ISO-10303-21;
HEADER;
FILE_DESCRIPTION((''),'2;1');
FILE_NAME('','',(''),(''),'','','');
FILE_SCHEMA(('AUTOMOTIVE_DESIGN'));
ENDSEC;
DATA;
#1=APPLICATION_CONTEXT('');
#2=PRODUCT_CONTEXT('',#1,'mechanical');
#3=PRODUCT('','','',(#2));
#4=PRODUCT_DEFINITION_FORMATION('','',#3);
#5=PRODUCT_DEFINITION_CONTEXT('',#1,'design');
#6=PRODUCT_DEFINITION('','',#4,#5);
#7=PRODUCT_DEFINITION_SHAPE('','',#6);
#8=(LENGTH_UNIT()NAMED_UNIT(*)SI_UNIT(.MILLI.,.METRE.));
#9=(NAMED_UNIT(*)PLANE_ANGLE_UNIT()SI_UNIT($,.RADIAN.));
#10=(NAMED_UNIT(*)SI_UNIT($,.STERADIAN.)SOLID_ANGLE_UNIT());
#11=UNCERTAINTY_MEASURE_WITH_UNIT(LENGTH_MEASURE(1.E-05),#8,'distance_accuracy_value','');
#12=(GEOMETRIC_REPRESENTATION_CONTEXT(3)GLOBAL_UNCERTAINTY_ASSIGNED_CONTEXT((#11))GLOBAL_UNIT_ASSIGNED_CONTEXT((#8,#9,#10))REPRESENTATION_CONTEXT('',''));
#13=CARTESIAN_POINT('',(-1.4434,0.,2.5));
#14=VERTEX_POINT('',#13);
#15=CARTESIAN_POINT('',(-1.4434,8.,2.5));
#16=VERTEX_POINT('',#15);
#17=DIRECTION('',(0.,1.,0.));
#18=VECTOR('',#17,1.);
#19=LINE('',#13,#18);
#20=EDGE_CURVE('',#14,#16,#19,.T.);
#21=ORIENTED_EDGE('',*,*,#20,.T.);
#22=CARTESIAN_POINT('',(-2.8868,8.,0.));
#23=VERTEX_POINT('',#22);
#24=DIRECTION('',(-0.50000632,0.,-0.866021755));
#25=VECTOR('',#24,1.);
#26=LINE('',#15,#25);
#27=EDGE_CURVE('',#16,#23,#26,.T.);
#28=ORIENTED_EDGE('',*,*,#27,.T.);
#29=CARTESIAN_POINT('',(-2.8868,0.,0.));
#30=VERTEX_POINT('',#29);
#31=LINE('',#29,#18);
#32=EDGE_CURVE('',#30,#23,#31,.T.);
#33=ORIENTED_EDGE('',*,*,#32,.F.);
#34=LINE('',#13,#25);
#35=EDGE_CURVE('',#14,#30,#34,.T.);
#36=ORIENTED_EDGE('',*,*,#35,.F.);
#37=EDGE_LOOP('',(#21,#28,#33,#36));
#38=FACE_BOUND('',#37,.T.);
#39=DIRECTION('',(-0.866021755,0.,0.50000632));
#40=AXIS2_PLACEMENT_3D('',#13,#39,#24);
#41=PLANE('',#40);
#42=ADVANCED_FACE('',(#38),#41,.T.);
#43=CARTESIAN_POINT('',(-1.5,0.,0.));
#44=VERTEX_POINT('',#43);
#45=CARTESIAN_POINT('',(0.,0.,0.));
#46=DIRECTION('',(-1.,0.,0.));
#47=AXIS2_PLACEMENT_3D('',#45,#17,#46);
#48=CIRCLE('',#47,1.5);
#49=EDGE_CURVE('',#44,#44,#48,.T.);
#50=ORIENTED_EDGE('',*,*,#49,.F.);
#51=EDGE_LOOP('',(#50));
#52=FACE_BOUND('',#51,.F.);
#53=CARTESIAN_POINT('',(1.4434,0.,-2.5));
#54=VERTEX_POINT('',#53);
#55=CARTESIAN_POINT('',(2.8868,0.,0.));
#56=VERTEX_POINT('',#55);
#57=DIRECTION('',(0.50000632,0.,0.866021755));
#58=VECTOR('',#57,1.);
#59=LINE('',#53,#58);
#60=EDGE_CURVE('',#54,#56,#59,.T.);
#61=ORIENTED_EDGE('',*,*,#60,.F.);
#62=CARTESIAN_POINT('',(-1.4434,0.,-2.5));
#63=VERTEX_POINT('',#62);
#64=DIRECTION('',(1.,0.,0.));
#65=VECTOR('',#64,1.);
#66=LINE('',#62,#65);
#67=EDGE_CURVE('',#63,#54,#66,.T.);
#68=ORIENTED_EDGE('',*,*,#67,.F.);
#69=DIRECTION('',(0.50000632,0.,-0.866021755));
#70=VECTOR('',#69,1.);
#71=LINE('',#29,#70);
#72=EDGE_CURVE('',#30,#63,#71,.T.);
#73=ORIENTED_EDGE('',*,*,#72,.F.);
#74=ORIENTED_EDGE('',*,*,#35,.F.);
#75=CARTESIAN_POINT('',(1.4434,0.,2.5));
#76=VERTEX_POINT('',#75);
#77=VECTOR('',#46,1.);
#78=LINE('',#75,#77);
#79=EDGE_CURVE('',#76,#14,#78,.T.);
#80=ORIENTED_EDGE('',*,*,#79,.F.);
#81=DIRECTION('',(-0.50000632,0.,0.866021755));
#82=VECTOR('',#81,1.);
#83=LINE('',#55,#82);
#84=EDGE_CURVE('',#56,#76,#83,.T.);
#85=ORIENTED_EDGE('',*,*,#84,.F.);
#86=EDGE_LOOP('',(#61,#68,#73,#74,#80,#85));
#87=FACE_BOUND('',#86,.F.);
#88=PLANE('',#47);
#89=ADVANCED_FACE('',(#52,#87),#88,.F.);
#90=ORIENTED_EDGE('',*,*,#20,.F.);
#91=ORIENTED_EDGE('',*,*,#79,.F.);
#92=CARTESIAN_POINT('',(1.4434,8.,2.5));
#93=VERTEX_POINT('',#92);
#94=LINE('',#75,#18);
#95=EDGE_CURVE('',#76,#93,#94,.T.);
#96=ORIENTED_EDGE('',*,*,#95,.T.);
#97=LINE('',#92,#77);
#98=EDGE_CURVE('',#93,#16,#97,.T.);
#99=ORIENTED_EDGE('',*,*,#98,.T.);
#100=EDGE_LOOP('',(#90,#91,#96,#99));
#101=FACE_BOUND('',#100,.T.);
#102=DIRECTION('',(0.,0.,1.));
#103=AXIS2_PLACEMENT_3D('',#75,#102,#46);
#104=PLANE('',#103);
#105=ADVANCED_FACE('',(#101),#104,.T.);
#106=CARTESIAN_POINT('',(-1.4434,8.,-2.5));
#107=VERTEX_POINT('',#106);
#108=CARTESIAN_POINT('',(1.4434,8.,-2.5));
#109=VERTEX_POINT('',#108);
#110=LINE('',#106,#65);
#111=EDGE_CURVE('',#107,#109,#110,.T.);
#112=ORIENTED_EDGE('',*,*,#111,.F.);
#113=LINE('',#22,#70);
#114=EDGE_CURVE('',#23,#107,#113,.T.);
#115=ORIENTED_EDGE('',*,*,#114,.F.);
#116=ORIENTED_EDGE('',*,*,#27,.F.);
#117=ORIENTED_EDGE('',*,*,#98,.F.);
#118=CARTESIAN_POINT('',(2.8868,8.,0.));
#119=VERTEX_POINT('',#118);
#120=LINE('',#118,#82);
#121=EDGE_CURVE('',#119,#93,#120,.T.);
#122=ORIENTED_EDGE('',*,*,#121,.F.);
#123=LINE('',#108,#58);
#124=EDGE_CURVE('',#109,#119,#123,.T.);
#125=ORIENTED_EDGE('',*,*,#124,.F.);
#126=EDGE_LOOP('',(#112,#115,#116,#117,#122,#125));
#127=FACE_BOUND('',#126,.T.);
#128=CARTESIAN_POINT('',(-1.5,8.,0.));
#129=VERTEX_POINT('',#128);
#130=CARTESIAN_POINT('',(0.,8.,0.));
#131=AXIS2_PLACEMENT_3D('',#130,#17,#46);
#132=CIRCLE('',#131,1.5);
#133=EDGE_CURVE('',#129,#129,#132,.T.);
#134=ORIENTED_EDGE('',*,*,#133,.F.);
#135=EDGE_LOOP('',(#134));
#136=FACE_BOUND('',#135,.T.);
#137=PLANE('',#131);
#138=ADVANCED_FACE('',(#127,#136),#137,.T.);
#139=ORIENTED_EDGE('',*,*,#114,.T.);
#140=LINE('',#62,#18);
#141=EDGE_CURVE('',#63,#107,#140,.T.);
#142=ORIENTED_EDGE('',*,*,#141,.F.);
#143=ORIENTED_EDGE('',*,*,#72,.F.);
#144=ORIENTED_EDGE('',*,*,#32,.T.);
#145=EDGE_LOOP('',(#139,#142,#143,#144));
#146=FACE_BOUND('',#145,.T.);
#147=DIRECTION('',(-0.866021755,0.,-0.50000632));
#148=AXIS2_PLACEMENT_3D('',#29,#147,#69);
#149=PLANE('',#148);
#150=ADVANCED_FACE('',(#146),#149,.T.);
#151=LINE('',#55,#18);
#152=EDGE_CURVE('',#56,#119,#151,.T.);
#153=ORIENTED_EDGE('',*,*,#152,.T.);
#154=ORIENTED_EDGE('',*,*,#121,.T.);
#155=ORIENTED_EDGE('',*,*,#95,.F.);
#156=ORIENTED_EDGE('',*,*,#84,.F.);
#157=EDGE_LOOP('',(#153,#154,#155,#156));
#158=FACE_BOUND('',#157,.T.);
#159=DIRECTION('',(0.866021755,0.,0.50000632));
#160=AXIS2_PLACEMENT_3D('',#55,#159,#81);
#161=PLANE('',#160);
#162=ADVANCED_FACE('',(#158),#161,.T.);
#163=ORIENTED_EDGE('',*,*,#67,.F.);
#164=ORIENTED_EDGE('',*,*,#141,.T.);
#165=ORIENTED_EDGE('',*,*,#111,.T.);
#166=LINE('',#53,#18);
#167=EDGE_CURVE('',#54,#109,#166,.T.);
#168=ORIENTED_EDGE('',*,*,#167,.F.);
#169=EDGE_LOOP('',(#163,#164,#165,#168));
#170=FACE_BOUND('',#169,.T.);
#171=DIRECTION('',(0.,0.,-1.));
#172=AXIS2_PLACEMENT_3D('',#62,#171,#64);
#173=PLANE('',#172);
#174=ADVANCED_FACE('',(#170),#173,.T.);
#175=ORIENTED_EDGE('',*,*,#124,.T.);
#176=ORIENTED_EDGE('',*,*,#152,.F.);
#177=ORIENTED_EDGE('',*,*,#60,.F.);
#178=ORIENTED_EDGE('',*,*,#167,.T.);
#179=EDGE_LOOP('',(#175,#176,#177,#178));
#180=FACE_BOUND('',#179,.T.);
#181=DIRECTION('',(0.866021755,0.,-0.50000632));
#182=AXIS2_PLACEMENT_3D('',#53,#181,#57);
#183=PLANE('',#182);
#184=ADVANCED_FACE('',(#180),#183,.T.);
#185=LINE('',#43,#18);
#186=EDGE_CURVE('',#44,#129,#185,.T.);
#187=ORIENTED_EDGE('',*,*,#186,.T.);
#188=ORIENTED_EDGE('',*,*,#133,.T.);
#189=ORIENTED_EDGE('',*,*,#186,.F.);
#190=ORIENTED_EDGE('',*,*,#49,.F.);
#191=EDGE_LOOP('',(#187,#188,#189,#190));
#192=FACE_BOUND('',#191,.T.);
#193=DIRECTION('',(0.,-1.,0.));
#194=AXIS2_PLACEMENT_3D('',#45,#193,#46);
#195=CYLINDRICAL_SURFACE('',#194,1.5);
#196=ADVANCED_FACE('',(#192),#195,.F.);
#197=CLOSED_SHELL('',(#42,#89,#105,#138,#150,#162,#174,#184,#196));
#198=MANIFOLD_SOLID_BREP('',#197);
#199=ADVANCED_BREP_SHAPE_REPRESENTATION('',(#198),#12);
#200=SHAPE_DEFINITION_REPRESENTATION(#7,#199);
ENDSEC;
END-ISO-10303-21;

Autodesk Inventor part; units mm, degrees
ref_plane "YZ Plane" through (0, 0, 0) normal (1, 0, 0) x (0, 1, 0)
ref_plane "XZ Plane" through (0, 0, 0) normal (0, 1, 0) x (-1, 0, 0)
ref_plane "XY Plane" through (0, 0, 0) normal (0, 0, 1) x (1, 0, 0)
sketch "Esquisse1" plane through (0, 0, 0) normal (0, 1, 0) x (-1, 0, 0)
  line L0 (-1.4434, -2.5) -> (-2.8868, 0)
  line L1 (-2.8868, 0) -> (-1.4434, 2.5)
  line L2 (-1.4434, 2.5) -> (1.4434, 2.5)
  line L3 (1.4434, 2.5) -> (2.8868, 0)
  line L4 (2.8868, 0) -> (1.4434, -2.5)
  line L5 (1.4434, -2.5) -> (-1.4434, -2.5)
  circle A0 centre (0, 0) radius 1.5
  dimension "d0" = 3
  dimension "d1" = 5
extrude "Extrusion1" add sketch "Esquisse1" along normal blind 8
properties part number "entretoise_8"
